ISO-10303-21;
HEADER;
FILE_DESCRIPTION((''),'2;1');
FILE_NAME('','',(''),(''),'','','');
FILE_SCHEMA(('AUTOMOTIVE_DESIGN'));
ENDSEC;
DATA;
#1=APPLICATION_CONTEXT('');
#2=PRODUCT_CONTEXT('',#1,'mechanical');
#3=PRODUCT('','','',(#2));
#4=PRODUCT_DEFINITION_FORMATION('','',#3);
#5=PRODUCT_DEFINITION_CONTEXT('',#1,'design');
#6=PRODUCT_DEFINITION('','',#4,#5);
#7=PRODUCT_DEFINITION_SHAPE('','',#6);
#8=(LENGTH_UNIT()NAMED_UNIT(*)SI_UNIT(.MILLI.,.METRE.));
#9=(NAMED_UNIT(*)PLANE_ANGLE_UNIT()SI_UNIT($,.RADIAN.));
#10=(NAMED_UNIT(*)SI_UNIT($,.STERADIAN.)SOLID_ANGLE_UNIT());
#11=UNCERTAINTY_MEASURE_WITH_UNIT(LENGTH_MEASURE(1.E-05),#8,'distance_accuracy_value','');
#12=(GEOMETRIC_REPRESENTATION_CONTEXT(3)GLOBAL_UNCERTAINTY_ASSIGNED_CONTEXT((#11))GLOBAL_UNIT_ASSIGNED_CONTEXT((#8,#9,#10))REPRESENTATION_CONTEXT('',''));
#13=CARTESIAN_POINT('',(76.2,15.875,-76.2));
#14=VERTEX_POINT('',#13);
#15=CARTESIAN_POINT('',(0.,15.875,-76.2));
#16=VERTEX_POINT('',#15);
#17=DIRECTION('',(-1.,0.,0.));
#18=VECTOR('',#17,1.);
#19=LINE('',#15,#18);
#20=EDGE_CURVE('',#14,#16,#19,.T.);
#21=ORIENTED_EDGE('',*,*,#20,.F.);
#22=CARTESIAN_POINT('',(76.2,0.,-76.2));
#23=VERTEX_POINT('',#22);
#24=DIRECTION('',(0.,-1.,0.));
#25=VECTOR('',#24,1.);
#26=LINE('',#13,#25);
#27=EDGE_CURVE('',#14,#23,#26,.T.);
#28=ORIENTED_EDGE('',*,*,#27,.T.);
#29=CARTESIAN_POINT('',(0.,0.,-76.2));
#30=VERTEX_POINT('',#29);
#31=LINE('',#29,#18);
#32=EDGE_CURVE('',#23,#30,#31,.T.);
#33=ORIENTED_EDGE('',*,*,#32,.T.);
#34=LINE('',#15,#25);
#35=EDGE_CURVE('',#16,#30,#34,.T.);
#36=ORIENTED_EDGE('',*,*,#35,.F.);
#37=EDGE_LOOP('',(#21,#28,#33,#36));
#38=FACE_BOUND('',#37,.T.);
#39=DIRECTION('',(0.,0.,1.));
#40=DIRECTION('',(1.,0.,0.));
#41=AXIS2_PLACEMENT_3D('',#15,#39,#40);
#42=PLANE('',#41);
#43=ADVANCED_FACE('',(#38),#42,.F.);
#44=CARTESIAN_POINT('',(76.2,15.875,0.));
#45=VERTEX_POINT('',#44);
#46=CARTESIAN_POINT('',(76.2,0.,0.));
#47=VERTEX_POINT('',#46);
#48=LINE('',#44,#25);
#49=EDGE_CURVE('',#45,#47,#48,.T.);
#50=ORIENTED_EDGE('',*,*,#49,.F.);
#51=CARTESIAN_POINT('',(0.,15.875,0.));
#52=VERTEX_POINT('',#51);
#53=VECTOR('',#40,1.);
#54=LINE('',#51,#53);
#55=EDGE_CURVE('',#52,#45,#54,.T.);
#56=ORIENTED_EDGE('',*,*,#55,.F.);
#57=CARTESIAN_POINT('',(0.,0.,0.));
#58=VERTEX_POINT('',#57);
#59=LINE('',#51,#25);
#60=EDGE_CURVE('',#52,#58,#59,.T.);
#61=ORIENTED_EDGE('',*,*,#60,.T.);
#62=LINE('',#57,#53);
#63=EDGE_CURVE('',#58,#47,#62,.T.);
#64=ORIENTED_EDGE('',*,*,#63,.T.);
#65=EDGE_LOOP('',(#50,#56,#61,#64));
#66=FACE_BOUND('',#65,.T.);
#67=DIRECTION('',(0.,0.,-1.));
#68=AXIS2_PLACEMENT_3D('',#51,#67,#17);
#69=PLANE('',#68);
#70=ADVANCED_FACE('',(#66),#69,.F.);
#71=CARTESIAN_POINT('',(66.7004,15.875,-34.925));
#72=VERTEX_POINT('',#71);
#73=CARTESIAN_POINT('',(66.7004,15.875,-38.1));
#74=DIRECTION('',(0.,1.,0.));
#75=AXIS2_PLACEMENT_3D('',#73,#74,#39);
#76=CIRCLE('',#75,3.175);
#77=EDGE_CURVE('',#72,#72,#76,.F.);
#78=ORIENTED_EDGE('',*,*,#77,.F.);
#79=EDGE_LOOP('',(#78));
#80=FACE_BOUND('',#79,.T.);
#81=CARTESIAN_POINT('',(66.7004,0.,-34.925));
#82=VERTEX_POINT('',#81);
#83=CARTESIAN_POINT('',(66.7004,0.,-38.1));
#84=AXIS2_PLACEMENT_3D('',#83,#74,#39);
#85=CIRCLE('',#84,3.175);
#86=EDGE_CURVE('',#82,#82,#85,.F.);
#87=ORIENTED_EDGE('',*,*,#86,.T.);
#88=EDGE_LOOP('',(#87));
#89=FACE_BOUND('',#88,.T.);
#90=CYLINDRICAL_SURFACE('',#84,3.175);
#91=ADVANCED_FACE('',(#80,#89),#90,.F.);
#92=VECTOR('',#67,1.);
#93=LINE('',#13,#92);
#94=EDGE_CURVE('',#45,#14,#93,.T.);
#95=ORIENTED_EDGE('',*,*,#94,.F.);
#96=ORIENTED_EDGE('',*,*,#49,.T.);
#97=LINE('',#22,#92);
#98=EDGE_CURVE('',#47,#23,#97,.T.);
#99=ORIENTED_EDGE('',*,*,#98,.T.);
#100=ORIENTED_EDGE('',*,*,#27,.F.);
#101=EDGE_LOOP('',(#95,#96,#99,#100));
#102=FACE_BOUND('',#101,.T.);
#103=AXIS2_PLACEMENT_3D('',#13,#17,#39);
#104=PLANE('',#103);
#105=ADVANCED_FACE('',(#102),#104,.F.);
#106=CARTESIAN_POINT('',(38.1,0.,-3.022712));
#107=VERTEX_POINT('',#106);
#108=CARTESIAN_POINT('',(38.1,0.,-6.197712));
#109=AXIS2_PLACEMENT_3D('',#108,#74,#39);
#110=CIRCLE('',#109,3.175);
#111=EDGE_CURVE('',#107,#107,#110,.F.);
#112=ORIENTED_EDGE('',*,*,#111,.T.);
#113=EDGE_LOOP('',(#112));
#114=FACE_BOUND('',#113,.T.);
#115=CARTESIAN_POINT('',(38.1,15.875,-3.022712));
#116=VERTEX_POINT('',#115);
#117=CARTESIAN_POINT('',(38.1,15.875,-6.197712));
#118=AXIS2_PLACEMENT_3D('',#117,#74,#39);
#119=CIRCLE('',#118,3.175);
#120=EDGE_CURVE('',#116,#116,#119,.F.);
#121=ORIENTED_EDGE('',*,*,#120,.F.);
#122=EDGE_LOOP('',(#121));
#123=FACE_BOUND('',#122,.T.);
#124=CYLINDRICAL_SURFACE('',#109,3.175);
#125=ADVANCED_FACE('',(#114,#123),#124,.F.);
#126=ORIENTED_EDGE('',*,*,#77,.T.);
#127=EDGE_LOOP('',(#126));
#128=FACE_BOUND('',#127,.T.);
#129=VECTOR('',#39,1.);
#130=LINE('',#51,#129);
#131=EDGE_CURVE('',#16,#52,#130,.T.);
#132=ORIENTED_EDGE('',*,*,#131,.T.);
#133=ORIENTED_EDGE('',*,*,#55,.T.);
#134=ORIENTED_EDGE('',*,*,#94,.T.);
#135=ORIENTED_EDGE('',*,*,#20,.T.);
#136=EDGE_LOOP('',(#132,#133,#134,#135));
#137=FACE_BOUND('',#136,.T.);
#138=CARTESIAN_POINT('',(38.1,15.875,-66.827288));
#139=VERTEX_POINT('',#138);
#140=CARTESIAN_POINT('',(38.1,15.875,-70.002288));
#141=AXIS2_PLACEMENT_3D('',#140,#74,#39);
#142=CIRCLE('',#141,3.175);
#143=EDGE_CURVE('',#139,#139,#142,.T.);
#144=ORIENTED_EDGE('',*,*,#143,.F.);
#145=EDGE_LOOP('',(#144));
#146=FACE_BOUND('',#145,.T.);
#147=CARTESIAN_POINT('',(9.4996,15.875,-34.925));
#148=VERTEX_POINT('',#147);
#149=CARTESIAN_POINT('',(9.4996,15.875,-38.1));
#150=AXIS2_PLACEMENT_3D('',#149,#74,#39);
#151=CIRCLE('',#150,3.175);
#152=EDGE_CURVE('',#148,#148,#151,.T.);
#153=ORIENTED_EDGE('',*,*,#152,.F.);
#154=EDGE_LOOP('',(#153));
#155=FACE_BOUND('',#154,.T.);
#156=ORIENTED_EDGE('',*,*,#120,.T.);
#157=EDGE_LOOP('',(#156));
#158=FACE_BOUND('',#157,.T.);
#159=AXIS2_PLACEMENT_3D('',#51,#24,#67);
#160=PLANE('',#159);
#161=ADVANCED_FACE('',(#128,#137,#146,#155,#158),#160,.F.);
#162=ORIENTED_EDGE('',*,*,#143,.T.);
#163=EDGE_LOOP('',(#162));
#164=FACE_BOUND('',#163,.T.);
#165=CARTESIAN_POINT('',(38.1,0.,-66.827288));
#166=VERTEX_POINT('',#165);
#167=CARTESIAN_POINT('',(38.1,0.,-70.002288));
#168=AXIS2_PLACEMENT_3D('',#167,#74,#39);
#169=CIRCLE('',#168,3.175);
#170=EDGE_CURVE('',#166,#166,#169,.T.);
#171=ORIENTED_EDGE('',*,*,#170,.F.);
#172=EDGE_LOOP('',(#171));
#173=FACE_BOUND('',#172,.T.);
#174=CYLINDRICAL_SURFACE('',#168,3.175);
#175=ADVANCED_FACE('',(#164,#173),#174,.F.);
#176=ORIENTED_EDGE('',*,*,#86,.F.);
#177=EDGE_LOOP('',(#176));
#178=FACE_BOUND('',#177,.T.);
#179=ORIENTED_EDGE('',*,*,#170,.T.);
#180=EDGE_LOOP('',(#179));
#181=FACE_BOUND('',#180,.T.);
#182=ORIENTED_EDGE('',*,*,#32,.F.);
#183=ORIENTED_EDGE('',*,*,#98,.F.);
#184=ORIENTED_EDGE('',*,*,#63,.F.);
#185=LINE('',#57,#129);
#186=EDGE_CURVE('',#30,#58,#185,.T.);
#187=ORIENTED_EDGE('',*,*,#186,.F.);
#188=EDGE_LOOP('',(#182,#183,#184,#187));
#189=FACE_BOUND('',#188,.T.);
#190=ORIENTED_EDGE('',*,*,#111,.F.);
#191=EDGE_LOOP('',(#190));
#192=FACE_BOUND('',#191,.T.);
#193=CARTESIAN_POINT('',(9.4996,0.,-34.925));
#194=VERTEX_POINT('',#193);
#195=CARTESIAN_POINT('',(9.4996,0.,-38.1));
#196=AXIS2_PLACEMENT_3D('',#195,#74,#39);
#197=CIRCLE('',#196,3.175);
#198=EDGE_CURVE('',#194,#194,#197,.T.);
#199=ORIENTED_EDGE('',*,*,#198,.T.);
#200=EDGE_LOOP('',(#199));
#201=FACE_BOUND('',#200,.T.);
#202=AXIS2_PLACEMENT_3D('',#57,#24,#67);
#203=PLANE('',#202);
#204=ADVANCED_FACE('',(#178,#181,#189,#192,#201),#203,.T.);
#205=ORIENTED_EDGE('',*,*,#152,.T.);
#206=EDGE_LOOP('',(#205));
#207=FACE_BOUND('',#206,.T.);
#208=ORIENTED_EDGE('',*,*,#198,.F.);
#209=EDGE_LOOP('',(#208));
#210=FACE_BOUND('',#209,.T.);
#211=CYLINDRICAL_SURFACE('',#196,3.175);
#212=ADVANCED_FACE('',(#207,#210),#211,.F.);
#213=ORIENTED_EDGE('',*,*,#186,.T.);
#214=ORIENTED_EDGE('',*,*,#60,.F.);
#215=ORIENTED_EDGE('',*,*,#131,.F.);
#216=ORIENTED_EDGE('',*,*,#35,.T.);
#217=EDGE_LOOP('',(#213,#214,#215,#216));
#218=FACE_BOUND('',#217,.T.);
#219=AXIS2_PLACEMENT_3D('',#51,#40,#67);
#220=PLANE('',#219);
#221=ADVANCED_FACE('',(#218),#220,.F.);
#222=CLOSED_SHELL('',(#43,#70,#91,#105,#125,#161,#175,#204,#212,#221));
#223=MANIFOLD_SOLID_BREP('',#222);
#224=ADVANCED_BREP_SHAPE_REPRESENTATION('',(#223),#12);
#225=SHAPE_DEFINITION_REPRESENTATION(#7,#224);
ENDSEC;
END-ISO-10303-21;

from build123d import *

# Parameters (mm, degrees)
SKETCH1_W           = 76.2
SKETCH1_H           = 76.2
BOSS_EXTRUDE1_DEPTH = 15.875
SKETCH2_R           = 3.175
CUT_EXTRUDE1_DEPTH  = 109.92610167
SKETCH2_3_R         = 3.175
CUT_EXTRUDE2_DEPTH  = 109.92610167


with BuildPart() as part:
    # Sketch1 → Boss-Extrude1 (new body)
    with BuildSketch(Plane(origin=(0, 0, 0), x_dir=(1, 0, 0), z_dir=(0, 1, 0))):
        with Locations((38.1, 38.1)):
            Rectangle(SKETCH1_W, SKETCH1_H)
    extrude(amount=BOSS_EXTRUDE1_DEPTH)

    # Sketch2 → Cut-Extrude1 (cut, through all)
    with BuildSketch(Plane(origin=(0, 15.875, 0), x_dir=(1, 0, 0), z_dir=(0, 1, 0))):
        with Locations((38.1, 70.00228824)):
            Circle(SKETCH2_R)
        with Locations((38.1, 6.19771176)):
            Circle(SKETCH2_R)
    extrude(amount=-CUT_EXTRUDE1_DEPTH, mode=Mode.SUBTRACT)

    # Sketch2<3> → Cut-Extrude2 (cut, through all)
    with BuildSketch(Plane(origin=(0, 15.875, 0), x_dir=(1, 0, 0), z_dir=(0, 1, 0))):
        with Locations((9.4996, 38.1)):
            Circle(SKETCH2_3_R)
        with Locations((66.7004, 38.1)):
            Circle(SKETCH2_3_R)
    extrude(amount=-CUT_EXTRUDE2_DEPTH, mode=Mode.SUBTRACT)


solid = part.part
